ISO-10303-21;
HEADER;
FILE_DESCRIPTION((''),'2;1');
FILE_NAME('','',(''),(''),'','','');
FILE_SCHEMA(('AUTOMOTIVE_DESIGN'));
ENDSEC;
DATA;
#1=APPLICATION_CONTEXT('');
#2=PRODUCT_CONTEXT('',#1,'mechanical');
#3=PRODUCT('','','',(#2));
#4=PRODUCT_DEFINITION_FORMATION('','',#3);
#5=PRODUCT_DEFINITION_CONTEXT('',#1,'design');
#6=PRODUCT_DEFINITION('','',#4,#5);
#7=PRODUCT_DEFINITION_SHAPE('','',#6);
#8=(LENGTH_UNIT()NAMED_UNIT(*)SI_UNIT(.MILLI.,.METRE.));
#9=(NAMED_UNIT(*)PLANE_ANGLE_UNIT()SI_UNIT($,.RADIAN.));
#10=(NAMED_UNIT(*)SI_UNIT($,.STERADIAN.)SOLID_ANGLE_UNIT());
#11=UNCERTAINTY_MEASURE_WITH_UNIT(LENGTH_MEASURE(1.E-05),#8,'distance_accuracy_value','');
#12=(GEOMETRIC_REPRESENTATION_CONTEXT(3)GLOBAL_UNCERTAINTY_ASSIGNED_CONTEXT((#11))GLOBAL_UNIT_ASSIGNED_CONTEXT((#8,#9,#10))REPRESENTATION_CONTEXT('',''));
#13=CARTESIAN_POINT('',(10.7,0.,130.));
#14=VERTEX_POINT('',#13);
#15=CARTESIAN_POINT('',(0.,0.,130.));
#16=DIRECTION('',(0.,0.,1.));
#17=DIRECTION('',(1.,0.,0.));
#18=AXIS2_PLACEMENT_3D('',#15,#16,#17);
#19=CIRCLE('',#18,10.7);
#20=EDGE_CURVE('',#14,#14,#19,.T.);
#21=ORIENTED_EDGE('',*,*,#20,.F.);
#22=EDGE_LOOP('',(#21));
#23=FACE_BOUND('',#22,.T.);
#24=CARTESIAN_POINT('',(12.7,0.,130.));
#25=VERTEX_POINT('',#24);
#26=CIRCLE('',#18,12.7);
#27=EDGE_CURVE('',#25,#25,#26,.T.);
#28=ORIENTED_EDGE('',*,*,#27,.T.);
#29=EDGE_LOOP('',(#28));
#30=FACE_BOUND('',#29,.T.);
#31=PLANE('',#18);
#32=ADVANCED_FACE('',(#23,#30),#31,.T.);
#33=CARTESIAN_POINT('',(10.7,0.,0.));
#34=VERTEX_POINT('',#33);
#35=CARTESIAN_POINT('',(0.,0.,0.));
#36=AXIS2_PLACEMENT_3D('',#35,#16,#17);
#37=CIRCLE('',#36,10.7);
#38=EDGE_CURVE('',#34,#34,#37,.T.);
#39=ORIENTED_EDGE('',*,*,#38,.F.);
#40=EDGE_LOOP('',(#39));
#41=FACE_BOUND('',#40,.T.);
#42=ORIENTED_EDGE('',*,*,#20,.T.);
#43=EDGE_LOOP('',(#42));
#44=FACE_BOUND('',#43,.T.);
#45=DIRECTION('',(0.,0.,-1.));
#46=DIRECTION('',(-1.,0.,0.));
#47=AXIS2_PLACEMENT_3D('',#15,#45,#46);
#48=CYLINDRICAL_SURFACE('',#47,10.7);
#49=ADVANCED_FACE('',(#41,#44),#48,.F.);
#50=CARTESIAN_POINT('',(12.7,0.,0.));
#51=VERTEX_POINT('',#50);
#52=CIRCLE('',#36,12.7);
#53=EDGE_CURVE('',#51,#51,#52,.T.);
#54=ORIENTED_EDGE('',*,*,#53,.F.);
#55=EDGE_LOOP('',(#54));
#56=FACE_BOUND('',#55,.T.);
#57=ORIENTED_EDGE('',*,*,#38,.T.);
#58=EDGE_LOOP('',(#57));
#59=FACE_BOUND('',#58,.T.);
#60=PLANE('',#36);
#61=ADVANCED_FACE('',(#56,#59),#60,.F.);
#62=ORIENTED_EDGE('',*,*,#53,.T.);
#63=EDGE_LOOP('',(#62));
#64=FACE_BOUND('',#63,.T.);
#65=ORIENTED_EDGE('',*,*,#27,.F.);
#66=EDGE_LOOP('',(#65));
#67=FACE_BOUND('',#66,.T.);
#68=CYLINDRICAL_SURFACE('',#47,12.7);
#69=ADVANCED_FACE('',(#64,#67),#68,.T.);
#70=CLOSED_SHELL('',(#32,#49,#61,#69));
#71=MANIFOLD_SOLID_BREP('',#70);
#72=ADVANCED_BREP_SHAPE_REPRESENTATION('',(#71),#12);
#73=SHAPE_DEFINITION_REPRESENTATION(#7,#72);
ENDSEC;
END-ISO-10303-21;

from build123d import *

# Parameters (mm, degrees)
SKETCH1_R           = 12.7
SKETCH1_R_2         = 10.7
BOSS_EXTRUDE1_DEPTH = 130


with BuildPart() as part:
    # Sketch1 → Boss-Extrude1 (new body)
    with BuildSketch(Plane.XY):
        Circle(SKETCH1_R)
        Circle(SKETCH1_R_2, mode=Mode.SUBTRACT)
    extrude(amount=BOSS_EXTRUDE1_DEPTH)


solid = part.part
